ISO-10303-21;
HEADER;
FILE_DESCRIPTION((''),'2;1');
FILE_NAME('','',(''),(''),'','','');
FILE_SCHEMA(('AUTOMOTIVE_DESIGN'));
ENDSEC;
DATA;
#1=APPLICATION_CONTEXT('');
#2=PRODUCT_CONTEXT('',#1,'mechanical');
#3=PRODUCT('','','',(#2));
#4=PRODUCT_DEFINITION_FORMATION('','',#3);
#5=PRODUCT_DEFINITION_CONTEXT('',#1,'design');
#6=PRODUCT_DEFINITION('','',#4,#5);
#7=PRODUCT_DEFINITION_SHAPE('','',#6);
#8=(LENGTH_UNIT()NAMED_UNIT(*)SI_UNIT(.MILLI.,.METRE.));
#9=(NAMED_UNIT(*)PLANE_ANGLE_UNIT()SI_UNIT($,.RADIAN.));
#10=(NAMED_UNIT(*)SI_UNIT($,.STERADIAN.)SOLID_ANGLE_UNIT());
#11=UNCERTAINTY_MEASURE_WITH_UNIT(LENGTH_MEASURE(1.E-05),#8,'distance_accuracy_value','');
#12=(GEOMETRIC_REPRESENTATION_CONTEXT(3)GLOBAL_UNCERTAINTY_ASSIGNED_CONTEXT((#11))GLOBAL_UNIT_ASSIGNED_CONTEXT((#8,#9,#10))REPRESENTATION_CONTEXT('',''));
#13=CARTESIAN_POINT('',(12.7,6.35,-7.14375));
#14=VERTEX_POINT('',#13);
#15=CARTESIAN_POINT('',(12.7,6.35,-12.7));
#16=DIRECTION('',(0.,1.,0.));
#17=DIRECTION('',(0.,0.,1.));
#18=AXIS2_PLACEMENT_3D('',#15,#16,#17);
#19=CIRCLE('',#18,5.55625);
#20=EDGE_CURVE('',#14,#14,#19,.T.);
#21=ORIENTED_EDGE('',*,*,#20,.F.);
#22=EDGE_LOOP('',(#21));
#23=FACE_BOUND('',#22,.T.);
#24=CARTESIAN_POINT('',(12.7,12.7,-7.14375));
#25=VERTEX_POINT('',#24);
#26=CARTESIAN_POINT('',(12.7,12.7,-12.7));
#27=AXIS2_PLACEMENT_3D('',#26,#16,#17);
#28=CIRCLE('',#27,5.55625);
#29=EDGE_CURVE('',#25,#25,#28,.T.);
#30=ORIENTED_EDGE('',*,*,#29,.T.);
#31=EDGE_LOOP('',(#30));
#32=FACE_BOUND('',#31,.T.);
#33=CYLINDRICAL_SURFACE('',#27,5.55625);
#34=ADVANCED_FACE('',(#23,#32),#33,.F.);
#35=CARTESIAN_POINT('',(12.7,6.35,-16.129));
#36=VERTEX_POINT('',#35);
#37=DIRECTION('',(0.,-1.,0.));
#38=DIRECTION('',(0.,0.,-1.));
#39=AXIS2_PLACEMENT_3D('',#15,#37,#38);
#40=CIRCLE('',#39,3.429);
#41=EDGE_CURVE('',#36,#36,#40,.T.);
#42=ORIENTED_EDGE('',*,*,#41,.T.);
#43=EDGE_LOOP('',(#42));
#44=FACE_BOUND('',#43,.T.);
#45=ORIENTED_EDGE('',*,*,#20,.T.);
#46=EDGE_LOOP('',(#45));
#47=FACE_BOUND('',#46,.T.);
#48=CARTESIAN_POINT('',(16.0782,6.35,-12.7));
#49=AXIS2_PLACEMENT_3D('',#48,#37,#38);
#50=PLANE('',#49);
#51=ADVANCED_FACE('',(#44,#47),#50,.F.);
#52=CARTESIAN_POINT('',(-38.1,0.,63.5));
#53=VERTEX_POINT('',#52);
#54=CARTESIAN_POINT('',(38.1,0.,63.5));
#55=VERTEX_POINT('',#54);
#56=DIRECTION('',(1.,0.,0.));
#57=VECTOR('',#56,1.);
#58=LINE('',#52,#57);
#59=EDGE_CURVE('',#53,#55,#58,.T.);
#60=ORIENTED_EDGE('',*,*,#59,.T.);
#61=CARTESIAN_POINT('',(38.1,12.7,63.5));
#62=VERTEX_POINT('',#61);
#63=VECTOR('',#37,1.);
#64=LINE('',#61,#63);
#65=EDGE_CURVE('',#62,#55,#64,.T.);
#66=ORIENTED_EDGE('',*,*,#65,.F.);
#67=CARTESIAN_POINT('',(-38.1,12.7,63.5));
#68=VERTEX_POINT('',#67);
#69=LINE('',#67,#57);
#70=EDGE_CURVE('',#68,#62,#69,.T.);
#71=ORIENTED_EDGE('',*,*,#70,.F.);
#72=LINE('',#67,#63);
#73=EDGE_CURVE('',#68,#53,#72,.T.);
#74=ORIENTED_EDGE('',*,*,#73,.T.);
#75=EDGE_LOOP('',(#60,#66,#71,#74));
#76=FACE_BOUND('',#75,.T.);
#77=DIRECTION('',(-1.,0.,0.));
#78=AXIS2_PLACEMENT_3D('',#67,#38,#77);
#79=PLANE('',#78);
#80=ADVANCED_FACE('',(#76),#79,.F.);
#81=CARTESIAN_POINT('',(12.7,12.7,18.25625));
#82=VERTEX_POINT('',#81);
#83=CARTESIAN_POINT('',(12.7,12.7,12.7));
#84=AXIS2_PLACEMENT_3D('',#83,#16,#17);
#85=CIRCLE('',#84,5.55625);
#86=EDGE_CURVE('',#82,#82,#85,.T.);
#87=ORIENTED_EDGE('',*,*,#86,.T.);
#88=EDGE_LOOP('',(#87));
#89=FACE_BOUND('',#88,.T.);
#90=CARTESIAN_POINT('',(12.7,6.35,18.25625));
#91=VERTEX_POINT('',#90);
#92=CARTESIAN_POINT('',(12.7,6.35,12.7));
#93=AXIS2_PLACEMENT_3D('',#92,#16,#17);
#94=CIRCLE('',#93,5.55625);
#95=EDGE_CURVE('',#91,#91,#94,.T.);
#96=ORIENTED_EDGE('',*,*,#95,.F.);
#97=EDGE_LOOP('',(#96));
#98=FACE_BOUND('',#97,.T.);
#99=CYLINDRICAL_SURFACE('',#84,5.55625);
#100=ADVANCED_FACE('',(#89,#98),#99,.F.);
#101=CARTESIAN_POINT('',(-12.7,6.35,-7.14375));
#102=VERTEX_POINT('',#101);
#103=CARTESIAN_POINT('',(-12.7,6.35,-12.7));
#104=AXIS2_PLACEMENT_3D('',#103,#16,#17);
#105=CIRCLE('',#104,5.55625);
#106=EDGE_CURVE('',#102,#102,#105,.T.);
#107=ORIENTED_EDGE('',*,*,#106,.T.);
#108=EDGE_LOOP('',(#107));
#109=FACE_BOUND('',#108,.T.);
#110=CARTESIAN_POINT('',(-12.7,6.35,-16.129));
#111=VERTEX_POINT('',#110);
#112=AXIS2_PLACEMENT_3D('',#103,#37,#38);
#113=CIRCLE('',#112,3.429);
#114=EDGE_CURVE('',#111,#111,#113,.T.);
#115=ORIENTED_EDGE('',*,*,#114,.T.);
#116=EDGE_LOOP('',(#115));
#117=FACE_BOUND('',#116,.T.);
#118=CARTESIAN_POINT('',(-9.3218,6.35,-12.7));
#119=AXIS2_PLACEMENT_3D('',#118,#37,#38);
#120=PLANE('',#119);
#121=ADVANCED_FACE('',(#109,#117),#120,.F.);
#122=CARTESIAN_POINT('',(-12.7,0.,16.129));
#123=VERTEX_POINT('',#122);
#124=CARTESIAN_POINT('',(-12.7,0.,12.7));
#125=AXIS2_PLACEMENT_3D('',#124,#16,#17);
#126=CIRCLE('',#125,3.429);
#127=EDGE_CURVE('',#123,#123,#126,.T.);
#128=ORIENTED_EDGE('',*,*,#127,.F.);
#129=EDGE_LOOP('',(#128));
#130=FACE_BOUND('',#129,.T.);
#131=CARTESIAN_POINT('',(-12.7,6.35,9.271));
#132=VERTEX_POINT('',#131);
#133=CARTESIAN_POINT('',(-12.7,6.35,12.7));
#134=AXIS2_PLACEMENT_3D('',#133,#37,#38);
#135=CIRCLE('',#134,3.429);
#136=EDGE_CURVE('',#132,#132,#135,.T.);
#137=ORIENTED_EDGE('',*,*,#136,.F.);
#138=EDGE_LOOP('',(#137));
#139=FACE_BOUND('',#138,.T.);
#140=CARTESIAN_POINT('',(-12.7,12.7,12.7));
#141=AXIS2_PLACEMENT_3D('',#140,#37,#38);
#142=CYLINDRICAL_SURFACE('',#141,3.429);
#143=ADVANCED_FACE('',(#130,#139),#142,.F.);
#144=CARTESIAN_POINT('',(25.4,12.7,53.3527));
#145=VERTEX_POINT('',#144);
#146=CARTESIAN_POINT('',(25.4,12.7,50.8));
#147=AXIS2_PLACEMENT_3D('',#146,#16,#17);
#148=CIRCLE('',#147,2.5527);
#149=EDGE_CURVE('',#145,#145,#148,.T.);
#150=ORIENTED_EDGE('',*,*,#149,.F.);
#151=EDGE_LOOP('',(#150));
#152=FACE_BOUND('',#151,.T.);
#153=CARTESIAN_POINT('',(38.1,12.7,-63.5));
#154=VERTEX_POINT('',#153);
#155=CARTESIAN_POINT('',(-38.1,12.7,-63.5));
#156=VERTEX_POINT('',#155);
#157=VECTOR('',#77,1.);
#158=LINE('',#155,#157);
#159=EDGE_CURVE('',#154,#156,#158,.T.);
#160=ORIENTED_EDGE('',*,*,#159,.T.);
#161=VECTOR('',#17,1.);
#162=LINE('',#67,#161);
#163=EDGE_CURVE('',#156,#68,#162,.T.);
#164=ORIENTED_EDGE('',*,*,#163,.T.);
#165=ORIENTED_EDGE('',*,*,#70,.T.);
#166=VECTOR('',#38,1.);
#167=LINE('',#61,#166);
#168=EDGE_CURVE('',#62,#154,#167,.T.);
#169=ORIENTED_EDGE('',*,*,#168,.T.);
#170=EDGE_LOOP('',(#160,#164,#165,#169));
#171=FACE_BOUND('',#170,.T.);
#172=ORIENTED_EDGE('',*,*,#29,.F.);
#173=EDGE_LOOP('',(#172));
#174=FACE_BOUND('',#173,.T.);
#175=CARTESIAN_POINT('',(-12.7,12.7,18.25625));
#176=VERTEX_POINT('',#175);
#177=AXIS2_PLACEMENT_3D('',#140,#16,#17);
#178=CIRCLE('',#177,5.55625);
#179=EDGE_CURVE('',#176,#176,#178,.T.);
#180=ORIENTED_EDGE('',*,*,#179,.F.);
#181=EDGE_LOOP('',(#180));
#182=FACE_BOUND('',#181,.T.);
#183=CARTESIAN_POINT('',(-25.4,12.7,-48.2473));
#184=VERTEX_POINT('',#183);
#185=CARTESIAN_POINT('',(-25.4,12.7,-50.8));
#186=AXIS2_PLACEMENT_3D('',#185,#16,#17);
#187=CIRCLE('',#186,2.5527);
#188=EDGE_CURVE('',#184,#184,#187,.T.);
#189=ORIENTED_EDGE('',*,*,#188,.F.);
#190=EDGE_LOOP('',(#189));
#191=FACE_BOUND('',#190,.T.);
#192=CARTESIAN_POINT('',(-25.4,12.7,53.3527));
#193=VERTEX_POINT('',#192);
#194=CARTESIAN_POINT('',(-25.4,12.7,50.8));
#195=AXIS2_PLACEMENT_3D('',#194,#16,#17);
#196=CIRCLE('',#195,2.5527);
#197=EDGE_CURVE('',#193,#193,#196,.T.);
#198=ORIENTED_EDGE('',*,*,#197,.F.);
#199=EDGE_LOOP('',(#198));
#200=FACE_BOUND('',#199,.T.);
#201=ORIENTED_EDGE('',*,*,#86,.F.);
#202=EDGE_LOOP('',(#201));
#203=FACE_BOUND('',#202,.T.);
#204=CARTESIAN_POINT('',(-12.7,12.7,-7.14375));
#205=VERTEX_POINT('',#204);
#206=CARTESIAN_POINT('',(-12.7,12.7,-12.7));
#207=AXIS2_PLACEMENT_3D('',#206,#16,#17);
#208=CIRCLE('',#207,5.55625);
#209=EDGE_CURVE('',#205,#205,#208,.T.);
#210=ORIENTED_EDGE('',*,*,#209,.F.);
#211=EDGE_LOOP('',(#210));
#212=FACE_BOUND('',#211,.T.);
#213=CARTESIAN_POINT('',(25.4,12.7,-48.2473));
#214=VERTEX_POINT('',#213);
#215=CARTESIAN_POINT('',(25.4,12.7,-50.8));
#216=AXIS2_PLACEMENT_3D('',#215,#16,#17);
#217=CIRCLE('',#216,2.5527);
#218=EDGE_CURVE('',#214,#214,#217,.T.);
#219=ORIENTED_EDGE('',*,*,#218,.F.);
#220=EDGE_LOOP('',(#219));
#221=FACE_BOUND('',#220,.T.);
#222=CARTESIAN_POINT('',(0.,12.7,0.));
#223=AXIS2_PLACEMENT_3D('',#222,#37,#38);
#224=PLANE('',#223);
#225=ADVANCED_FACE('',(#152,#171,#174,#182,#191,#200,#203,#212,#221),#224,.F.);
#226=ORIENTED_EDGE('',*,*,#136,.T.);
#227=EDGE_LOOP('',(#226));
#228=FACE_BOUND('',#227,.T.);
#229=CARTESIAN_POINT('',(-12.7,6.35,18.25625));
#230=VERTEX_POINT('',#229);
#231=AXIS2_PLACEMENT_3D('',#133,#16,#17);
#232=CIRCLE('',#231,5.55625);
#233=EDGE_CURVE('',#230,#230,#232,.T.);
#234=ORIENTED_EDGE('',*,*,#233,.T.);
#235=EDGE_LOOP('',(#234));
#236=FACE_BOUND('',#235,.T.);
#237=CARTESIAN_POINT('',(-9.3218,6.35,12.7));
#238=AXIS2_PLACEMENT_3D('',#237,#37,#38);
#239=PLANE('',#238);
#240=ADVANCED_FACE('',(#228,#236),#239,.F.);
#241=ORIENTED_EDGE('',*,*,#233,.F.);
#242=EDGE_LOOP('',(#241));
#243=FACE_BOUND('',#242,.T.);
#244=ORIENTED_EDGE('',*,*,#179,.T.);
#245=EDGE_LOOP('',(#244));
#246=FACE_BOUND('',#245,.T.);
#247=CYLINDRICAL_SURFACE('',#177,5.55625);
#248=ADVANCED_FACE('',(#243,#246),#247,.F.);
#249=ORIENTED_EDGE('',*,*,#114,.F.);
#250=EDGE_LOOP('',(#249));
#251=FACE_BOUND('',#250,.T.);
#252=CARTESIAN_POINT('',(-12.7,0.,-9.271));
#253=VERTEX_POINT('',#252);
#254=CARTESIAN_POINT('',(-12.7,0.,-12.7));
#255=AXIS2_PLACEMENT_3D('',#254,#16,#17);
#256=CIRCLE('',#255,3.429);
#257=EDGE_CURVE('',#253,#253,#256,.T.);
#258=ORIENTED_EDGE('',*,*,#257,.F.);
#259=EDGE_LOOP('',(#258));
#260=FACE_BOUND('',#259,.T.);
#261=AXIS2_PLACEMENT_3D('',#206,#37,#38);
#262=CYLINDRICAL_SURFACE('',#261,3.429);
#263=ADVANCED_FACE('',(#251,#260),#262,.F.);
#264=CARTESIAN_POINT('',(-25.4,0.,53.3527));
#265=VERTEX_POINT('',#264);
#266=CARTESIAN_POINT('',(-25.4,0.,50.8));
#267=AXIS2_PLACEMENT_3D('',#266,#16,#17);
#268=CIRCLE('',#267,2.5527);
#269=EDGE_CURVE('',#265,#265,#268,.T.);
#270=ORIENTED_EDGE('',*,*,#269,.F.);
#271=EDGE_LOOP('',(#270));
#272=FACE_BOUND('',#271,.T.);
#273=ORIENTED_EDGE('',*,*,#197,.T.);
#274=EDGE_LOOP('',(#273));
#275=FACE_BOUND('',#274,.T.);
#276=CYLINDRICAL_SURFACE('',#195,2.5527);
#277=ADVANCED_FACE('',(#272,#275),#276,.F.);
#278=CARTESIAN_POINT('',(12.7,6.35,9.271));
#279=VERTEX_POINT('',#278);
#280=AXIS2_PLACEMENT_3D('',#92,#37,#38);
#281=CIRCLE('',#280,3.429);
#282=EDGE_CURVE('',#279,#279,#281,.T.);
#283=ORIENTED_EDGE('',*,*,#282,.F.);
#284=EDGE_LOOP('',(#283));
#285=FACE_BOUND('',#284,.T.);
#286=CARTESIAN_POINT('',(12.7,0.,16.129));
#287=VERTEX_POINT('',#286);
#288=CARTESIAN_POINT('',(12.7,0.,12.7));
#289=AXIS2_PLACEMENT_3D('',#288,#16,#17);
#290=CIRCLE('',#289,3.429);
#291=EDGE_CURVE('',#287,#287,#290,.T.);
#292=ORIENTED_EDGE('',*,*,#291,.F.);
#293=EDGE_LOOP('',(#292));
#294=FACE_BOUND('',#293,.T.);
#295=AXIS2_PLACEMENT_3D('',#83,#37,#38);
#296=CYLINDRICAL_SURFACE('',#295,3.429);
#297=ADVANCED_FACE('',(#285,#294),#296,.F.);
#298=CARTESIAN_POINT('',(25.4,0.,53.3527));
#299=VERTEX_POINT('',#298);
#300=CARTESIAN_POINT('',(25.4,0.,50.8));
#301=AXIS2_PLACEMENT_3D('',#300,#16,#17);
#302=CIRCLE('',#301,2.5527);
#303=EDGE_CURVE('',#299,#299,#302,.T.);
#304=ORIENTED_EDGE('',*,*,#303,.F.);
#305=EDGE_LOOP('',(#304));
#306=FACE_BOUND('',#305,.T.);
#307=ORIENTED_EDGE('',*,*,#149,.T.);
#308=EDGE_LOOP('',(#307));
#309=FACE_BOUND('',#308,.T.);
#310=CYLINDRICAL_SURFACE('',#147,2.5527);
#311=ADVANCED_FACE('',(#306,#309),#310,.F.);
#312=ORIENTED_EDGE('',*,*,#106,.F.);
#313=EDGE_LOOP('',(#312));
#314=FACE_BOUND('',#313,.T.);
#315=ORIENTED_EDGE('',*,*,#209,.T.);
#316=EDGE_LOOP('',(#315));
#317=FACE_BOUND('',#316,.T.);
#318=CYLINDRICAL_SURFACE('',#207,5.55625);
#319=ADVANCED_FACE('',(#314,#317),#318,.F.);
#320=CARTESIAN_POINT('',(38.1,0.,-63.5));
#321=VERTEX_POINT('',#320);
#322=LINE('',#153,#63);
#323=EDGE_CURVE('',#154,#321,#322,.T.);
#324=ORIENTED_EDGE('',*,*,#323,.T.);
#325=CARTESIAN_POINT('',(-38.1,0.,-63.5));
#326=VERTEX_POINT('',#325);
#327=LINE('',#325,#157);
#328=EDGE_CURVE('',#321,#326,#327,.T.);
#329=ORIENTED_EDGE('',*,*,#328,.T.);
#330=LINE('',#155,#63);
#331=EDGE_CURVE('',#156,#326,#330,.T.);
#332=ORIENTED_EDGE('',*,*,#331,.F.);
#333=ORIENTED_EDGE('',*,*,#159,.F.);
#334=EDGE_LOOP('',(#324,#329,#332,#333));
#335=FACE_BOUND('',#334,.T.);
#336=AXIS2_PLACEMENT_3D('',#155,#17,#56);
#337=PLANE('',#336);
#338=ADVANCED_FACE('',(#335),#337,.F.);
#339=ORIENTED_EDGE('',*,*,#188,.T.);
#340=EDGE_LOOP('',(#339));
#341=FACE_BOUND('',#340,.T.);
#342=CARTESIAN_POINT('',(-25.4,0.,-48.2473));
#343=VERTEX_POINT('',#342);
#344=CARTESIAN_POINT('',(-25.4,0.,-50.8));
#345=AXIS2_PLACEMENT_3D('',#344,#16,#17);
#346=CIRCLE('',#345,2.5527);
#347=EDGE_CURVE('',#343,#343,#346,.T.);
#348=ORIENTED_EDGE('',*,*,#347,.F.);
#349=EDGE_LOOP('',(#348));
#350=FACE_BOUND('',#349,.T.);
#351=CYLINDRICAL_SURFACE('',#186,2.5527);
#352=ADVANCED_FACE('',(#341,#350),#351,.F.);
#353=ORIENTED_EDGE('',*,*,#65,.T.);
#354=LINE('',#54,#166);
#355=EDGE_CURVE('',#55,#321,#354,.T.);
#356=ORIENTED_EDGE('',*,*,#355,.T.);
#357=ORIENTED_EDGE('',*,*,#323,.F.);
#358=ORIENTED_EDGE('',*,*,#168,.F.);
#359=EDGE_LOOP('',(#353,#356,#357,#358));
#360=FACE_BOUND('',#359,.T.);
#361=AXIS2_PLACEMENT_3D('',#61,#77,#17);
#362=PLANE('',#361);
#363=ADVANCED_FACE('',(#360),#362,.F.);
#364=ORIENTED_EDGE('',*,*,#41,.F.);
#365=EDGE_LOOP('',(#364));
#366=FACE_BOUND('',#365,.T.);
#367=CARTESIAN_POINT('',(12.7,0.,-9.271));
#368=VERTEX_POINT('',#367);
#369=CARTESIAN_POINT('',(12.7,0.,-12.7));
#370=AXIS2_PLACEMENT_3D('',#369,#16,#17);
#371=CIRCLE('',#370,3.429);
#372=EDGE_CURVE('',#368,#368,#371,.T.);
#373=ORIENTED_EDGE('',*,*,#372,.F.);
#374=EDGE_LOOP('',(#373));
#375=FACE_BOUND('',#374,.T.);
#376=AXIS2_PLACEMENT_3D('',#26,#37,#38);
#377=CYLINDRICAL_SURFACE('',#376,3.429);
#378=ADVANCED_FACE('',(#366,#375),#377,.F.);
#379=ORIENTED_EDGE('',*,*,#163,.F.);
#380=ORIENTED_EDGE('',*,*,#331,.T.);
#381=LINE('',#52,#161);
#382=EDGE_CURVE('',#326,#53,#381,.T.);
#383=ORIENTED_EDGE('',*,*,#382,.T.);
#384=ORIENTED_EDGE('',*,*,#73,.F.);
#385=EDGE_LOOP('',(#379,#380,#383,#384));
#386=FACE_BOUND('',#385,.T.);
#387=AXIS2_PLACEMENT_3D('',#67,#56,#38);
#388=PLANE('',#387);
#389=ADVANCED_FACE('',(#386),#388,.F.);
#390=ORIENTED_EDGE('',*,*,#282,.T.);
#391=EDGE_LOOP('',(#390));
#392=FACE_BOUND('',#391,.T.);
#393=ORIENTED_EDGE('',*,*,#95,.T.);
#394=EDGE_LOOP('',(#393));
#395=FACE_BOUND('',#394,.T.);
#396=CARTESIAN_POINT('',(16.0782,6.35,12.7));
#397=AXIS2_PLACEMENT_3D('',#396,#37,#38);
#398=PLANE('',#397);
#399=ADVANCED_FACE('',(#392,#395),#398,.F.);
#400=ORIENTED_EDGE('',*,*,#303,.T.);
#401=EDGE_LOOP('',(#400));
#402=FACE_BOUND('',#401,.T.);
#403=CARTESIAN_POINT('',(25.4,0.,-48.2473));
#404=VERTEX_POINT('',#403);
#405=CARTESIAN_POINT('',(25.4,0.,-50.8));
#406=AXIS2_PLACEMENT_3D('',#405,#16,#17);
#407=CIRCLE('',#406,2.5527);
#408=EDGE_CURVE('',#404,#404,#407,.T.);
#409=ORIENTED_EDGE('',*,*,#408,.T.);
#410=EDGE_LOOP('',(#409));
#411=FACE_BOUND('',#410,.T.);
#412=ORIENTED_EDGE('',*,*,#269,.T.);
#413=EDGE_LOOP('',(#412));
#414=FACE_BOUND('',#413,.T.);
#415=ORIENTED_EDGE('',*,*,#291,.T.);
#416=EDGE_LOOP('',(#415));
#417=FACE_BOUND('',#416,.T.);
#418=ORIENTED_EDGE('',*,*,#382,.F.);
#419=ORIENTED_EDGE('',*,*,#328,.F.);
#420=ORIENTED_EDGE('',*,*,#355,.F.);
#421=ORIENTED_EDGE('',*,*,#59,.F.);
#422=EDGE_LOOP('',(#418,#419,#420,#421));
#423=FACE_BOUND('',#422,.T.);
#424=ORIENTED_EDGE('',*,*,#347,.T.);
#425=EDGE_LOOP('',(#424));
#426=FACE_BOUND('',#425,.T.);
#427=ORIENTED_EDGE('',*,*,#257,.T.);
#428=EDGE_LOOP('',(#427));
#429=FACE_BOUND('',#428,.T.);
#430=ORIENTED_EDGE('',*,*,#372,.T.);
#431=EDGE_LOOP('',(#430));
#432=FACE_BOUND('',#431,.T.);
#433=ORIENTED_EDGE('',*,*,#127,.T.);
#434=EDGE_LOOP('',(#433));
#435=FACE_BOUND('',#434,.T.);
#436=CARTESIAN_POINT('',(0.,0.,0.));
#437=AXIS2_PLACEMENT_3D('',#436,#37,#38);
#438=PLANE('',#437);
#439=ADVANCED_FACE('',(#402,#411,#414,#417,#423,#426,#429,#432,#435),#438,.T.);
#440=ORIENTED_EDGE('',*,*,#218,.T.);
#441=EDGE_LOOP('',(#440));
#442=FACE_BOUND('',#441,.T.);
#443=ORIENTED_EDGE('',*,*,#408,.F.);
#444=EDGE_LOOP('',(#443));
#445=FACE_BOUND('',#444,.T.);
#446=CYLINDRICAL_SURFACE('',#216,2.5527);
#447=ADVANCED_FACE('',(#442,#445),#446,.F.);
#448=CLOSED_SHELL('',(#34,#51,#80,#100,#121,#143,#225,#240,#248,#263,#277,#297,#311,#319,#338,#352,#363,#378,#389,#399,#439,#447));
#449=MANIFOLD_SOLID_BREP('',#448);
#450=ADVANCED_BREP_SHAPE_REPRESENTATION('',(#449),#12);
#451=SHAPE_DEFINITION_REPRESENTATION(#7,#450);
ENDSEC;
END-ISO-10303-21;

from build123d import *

# Parameters (mm, degrees)
SKETCH1_W                                        = 76.2
SKETCH1_H                                        = 127
SKETCH1_R                                        = 3.429
BOSS_EXTRUDE1_DEPTH                              = 12.7
CBORE_FOR_1_4_SOCKET_HEAD_CAP_SCREW1_D           = 6.7564
CBORE_FOR_1_4_SOCKET_HEAD_CAP_SCREW1_CBORE_D     = 11.1125
CBORE_FOR_1_4_SOCKET_HEAD_CAP_SCREW1_CBORE_DEPTH = 6.35
F_1_4_20_TAPPED_HOLE1_D                          = 5.1054


with BuildPart() as part:
    # Sketch1 → Boss-Extrude1 (new body)
    with BuildSketch(Plane(origin=(0, 0, 0), x_dir=(1, 0, 0), z_dir=(0, 1, 0))):
        Rectangle(SKETCH1_W, SKETCH1_H)
        with Locations(Location((-12.7, 12.7, 0), (0, 0, 270))):
            Circle(SKETCH1_R, mode=Mode.SUBTRACT)
        with Locations(Location((12.7, 12.7, 0), (0, 0, 270))):
            Circle(SKETCH1_R, mode=Mode.SUBTRACT)
        with Locations(Location((12.7, -12.7, 0), (0, 0, 270))):
            Circle(SKETCH1_R, mode=Mode.SUBTRACT)
        with Locations(Location((-12.7, -12.7, 0), (0, 0, 270))):
            Circle(SKETCH1_R, mode=Mode.SUBTRACT)
    extrude(amount=BOSS_EXTRUDE1_DEPTH)

    # CBORE for 1/4 Socket Head Cap Screw1 (through all)
    with Locations(Plane(origin=(0, 12.7, 0), x_dir=(1, 0, 0), z_dir=(0, 1, 0))):
        with Locations((-12.7, 12.7), (12.7, 12.7), (12.7, -12.7), (-12.7, -12.7), (-108.226831433, 58.259256328)):
            CounterBoreHole(CBORE_FOR_1_4_SOCKET_HEAD_CAP_SCREW1_D / 2, CBORE_FOR_1_4_SOCKET_HEAD_CAP_SCREW1_CBORE_D / 2, CBORE_FOR_1_4_SOCKET_HEAD_CAP_SCREW1_CBORE_DEPTH)

    # 1/4-20 Tapped Hole1 (through all)
    with Locations(Plane(origin=(0, 12.7, 0), x_dir=(1, 0, 0), z_dir=(0, 1, 0))):
        with Locations((25.4, 50.8), (-25.4, 50.8), (-25.4, -50.8), (25.4, -50.8)):
            Hole(F_1_4_20_TAPPED_HOLE1_D / 2)


solid = part.part
